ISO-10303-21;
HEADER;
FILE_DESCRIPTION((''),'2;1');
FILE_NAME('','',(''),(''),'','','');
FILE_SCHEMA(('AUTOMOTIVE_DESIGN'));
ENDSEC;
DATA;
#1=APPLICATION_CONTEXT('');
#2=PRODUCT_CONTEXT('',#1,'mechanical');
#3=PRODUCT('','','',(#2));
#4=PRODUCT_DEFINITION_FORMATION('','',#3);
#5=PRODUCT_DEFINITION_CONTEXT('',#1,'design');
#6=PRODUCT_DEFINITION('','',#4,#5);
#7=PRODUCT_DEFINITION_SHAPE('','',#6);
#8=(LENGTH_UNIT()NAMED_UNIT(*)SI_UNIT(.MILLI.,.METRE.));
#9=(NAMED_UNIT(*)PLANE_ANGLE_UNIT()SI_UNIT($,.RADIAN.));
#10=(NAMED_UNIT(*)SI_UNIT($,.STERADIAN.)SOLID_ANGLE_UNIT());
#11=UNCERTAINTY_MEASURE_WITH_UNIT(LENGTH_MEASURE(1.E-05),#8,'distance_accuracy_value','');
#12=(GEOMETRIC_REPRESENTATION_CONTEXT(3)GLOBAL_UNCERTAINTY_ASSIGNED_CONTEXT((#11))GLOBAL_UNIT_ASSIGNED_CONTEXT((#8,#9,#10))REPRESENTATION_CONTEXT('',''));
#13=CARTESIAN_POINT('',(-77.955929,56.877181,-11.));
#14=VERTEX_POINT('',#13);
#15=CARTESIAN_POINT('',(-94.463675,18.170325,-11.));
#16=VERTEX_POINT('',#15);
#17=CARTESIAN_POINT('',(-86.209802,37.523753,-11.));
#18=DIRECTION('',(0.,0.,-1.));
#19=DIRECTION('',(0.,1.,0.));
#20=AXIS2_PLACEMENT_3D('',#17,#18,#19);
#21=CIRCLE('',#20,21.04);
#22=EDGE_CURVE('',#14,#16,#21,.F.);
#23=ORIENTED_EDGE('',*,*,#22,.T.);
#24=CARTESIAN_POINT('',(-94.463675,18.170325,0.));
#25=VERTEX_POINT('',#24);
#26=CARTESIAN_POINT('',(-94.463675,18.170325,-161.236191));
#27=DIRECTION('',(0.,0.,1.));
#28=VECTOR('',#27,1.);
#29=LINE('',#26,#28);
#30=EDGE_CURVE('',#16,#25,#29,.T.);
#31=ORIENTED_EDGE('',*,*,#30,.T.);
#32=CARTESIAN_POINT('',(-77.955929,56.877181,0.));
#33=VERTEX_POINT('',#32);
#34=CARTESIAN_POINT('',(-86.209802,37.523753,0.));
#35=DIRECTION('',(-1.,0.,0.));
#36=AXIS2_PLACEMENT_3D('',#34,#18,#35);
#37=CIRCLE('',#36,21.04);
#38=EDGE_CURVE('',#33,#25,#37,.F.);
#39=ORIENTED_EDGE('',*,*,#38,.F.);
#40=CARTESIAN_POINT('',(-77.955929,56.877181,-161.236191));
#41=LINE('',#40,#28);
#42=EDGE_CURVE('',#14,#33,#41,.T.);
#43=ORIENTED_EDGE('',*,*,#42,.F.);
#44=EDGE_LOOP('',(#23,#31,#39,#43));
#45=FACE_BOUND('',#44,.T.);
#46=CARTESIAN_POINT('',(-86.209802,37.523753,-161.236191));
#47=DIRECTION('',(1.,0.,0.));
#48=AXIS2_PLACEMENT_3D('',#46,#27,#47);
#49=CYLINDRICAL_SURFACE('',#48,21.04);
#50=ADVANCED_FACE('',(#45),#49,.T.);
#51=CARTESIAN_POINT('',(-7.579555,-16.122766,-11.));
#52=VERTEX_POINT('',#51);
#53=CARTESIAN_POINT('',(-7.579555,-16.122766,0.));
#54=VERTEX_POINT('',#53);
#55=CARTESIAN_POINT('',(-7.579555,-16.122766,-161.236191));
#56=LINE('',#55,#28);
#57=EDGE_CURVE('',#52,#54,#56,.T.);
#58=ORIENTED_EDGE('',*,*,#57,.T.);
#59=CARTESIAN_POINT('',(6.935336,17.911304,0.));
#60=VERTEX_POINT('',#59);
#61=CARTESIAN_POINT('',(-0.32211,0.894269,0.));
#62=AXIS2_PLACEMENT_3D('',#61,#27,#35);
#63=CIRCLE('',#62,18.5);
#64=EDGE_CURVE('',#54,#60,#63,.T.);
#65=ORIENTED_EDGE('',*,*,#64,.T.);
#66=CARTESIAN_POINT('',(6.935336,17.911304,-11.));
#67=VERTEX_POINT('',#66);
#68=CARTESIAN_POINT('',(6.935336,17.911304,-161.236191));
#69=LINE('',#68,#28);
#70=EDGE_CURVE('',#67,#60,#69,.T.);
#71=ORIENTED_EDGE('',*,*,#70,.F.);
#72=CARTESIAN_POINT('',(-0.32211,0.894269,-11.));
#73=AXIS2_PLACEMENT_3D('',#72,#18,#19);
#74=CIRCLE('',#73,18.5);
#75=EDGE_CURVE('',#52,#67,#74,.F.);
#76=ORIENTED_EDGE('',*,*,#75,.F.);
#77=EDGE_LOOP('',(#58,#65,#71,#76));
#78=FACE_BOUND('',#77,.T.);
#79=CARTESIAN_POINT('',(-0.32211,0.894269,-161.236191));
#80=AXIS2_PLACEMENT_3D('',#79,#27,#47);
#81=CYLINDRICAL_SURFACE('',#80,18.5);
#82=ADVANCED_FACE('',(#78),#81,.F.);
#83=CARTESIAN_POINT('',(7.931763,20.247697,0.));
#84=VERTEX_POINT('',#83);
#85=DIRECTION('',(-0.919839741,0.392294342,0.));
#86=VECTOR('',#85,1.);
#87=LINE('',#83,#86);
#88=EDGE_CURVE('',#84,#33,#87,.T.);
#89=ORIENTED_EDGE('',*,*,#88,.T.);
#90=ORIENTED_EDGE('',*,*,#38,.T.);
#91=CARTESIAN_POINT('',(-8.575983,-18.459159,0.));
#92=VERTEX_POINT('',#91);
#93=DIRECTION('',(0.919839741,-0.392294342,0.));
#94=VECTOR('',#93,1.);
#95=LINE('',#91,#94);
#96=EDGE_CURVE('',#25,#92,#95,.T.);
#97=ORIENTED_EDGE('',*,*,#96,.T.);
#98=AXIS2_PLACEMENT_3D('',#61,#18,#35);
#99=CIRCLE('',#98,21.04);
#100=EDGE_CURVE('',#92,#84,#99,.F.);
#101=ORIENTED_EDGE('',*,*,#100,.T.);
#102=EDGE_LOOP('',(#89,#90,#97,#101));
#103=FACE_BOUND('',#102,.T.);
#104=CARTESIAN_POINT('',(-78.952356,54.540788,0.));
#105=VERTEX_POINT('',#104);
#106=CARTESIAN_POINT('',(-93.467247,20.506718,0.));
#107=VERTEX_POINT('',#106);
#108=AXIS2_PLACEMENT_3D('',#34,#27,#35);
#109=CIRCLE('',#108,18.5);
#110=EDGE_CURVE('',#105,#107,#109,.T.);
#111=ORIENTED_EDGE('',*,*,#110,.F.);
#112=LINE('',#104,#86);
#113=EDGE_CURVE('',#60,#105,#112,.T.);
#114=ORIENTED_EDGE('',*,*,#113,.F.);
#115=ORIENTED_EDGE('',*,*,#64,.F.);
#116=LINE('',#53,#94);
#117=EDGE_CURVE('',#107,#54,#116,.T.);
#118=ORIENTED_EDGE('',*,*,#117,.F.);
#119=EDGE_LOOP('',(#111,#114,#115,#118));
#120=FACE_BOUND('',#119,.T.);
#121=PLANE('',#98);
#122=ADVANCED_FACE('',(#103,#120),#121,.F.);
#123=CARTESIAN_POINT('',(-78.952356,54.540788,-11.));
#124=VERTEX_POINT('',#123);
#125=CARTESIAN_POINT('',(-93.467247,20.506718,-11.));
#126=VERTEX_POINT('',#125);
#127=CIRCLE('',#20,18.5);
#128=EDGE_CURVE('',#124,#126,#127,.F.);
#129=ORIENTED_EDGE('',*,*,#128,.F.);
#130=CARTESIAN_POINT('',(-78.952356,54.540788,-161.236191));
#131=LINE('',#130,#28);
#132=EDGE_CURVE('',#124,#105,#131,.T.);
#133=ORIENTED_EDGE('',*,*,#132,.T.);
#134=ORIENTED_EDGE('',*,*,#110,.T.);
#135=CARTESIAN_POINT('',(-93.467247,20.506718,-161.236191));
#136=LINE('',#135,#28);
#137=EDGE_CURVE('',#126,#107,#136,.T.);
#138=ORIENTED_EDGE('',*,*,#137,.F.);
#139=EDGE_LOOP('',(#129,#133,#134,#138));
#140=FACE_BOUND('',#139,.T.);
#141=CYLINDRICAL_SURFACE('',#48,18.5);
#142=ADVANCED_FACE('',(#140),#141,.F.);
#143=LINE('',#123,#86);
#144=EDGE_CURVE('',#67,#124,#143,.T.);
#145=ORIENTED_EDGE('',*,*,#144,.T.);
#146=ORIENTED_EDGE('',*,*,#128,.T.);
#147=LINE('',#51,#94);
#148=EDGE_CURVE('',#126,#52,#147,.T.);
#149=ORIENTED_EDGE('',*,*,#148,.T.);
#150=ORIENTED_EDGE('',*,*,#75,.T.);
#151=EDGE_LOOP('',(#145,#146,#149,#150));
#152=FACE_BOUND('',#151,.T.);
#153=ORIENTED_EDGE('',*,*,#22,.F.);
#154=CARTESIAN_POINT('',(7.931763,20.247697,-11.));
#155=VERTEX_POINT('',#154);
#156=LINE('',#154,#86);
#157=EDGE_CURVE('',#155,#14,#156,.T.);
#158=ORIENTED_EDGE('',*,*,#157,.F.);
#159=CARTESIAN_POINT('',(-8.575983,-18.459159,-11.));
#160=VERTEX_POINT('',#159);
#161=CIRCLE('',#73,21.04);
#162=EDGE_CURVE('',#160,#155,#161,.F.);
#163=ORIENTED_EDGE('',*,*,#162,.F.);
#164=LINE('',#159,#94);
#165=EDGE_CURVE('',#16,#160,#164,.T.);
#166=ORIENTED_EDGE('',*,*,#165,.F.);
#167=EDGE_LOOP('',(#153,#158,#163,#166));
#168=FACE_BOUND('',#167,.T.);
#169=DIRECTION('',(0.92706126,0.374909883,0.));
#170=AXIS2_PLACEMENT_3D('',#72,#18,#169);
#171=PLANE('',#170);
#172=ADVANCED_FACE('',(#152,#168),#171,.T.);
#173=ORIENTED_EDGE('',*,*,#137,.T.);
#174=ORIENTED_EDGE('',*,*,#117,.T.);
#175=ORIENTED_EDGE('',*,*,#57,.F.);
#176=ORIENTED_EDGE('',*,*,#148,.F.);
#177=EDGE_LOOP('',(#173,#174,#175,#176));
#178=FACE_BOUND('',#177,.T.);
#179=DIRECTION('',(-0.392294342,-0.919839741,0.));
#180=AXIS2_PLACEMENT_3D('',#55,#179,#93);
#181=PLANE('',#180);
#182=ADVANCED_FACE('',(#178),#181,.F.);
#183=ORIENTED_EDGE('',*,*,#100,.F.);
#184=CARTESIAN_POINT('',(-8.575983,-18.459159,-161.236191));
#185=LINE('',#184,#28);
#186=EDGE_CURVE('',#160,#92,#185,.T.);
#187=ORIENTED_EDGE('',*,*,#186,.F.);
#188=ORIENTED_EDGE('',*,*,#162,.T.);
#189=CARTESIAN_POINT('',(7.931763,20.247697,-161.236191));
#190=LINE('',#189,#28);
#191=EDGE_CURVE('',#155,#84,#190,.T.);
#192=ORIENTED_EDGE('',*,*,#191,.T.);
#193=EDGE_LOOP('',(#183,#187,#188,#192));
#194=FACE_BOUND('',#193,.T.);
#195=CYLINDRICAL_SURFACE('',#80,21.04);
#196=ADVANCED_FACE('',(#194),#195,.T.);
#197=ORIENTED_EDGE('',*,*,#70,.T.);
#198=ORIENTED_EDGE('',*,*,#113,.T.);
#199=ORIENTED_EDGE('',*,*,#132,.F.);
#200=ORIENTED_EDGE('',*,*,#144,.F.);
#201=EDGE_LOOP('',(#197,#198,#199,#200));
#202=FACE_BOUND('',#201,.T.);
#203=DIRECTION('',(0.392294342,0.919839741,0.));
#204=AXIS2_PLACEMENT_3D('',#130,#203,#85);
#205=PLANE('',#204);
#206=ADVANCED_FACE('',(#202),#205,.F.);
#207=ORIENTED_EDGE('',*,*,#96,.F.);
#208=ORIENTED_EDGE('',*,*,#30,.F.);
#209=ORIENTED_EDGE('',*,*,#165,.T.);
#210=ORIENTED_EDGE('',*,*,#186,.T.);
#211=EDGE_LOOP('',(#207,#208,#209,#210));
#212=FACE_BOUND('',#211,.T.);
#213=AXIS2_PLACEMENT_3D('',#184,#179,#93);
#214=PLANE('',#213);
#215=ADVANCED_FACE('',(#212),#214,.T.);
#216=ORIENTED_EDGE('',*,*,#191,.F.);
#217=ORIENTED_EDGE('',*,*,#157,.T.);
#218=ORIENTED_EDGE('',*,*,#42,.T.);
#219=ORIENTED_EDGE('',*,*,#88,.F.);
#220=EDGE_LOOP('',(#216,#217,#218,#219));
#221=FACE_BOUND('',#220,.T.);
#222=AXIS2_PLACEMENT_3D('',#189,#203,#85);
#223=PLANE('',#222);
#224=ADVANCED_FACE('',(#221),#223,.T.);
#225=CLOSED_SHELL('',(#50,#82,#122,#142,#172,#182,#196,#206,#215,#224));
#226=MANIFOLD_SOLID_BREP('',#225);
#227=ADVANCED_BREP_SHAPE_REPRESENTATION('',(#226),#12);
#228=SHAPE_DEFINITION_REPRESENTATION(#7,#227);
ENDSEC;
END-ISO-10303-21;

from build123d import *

# Parameters (mm, degrees)
EXTRUDE_THIN1_DEPTH = 11


with BuildPart() as part:
    # Sketch2 → Extrude-Thin1 (new body)
    with BuildSketch(Plane.XY):
        with BuildLine():
            Line((-77.955928658, 56.877181426), (7.931763202, 20.247696874))
            ThreePointArc((7.931763202, 20.247696874), (19.031318392, -7.359604237), (-8.575982719, -18.459159426))
            Line((-8.575982719, -18.459159426), (-94.463674578, 18.170325126))
            ThreePointArc((-94.463674578, 18.170325126), (-105.563229768, 45.777626236), (-77.955928658, 56.877181426))
        make_face()
        with BuildLine():
            Line((-78.952356287, 54.540788484), (6.935335573, 17.911303931))
            ThreePointArc((6.935335573, 17.911303931), (16.69492545, -6.363176607), (-7.579555089, -16.122766484))
            Line((-7.579555089, -16.122766484), (-93.467246949, 20.506718068))
            ThreePointArc((-93.467246949, 20.506718068), (-103.226836826, 44.781198606), (-78.952356287, 54.540788484))
        make_face(mode=Mode.SUBTRACT)
    extrude(amount=-EXTRUDE_THIN1_DEPTH)


solid = part.part
